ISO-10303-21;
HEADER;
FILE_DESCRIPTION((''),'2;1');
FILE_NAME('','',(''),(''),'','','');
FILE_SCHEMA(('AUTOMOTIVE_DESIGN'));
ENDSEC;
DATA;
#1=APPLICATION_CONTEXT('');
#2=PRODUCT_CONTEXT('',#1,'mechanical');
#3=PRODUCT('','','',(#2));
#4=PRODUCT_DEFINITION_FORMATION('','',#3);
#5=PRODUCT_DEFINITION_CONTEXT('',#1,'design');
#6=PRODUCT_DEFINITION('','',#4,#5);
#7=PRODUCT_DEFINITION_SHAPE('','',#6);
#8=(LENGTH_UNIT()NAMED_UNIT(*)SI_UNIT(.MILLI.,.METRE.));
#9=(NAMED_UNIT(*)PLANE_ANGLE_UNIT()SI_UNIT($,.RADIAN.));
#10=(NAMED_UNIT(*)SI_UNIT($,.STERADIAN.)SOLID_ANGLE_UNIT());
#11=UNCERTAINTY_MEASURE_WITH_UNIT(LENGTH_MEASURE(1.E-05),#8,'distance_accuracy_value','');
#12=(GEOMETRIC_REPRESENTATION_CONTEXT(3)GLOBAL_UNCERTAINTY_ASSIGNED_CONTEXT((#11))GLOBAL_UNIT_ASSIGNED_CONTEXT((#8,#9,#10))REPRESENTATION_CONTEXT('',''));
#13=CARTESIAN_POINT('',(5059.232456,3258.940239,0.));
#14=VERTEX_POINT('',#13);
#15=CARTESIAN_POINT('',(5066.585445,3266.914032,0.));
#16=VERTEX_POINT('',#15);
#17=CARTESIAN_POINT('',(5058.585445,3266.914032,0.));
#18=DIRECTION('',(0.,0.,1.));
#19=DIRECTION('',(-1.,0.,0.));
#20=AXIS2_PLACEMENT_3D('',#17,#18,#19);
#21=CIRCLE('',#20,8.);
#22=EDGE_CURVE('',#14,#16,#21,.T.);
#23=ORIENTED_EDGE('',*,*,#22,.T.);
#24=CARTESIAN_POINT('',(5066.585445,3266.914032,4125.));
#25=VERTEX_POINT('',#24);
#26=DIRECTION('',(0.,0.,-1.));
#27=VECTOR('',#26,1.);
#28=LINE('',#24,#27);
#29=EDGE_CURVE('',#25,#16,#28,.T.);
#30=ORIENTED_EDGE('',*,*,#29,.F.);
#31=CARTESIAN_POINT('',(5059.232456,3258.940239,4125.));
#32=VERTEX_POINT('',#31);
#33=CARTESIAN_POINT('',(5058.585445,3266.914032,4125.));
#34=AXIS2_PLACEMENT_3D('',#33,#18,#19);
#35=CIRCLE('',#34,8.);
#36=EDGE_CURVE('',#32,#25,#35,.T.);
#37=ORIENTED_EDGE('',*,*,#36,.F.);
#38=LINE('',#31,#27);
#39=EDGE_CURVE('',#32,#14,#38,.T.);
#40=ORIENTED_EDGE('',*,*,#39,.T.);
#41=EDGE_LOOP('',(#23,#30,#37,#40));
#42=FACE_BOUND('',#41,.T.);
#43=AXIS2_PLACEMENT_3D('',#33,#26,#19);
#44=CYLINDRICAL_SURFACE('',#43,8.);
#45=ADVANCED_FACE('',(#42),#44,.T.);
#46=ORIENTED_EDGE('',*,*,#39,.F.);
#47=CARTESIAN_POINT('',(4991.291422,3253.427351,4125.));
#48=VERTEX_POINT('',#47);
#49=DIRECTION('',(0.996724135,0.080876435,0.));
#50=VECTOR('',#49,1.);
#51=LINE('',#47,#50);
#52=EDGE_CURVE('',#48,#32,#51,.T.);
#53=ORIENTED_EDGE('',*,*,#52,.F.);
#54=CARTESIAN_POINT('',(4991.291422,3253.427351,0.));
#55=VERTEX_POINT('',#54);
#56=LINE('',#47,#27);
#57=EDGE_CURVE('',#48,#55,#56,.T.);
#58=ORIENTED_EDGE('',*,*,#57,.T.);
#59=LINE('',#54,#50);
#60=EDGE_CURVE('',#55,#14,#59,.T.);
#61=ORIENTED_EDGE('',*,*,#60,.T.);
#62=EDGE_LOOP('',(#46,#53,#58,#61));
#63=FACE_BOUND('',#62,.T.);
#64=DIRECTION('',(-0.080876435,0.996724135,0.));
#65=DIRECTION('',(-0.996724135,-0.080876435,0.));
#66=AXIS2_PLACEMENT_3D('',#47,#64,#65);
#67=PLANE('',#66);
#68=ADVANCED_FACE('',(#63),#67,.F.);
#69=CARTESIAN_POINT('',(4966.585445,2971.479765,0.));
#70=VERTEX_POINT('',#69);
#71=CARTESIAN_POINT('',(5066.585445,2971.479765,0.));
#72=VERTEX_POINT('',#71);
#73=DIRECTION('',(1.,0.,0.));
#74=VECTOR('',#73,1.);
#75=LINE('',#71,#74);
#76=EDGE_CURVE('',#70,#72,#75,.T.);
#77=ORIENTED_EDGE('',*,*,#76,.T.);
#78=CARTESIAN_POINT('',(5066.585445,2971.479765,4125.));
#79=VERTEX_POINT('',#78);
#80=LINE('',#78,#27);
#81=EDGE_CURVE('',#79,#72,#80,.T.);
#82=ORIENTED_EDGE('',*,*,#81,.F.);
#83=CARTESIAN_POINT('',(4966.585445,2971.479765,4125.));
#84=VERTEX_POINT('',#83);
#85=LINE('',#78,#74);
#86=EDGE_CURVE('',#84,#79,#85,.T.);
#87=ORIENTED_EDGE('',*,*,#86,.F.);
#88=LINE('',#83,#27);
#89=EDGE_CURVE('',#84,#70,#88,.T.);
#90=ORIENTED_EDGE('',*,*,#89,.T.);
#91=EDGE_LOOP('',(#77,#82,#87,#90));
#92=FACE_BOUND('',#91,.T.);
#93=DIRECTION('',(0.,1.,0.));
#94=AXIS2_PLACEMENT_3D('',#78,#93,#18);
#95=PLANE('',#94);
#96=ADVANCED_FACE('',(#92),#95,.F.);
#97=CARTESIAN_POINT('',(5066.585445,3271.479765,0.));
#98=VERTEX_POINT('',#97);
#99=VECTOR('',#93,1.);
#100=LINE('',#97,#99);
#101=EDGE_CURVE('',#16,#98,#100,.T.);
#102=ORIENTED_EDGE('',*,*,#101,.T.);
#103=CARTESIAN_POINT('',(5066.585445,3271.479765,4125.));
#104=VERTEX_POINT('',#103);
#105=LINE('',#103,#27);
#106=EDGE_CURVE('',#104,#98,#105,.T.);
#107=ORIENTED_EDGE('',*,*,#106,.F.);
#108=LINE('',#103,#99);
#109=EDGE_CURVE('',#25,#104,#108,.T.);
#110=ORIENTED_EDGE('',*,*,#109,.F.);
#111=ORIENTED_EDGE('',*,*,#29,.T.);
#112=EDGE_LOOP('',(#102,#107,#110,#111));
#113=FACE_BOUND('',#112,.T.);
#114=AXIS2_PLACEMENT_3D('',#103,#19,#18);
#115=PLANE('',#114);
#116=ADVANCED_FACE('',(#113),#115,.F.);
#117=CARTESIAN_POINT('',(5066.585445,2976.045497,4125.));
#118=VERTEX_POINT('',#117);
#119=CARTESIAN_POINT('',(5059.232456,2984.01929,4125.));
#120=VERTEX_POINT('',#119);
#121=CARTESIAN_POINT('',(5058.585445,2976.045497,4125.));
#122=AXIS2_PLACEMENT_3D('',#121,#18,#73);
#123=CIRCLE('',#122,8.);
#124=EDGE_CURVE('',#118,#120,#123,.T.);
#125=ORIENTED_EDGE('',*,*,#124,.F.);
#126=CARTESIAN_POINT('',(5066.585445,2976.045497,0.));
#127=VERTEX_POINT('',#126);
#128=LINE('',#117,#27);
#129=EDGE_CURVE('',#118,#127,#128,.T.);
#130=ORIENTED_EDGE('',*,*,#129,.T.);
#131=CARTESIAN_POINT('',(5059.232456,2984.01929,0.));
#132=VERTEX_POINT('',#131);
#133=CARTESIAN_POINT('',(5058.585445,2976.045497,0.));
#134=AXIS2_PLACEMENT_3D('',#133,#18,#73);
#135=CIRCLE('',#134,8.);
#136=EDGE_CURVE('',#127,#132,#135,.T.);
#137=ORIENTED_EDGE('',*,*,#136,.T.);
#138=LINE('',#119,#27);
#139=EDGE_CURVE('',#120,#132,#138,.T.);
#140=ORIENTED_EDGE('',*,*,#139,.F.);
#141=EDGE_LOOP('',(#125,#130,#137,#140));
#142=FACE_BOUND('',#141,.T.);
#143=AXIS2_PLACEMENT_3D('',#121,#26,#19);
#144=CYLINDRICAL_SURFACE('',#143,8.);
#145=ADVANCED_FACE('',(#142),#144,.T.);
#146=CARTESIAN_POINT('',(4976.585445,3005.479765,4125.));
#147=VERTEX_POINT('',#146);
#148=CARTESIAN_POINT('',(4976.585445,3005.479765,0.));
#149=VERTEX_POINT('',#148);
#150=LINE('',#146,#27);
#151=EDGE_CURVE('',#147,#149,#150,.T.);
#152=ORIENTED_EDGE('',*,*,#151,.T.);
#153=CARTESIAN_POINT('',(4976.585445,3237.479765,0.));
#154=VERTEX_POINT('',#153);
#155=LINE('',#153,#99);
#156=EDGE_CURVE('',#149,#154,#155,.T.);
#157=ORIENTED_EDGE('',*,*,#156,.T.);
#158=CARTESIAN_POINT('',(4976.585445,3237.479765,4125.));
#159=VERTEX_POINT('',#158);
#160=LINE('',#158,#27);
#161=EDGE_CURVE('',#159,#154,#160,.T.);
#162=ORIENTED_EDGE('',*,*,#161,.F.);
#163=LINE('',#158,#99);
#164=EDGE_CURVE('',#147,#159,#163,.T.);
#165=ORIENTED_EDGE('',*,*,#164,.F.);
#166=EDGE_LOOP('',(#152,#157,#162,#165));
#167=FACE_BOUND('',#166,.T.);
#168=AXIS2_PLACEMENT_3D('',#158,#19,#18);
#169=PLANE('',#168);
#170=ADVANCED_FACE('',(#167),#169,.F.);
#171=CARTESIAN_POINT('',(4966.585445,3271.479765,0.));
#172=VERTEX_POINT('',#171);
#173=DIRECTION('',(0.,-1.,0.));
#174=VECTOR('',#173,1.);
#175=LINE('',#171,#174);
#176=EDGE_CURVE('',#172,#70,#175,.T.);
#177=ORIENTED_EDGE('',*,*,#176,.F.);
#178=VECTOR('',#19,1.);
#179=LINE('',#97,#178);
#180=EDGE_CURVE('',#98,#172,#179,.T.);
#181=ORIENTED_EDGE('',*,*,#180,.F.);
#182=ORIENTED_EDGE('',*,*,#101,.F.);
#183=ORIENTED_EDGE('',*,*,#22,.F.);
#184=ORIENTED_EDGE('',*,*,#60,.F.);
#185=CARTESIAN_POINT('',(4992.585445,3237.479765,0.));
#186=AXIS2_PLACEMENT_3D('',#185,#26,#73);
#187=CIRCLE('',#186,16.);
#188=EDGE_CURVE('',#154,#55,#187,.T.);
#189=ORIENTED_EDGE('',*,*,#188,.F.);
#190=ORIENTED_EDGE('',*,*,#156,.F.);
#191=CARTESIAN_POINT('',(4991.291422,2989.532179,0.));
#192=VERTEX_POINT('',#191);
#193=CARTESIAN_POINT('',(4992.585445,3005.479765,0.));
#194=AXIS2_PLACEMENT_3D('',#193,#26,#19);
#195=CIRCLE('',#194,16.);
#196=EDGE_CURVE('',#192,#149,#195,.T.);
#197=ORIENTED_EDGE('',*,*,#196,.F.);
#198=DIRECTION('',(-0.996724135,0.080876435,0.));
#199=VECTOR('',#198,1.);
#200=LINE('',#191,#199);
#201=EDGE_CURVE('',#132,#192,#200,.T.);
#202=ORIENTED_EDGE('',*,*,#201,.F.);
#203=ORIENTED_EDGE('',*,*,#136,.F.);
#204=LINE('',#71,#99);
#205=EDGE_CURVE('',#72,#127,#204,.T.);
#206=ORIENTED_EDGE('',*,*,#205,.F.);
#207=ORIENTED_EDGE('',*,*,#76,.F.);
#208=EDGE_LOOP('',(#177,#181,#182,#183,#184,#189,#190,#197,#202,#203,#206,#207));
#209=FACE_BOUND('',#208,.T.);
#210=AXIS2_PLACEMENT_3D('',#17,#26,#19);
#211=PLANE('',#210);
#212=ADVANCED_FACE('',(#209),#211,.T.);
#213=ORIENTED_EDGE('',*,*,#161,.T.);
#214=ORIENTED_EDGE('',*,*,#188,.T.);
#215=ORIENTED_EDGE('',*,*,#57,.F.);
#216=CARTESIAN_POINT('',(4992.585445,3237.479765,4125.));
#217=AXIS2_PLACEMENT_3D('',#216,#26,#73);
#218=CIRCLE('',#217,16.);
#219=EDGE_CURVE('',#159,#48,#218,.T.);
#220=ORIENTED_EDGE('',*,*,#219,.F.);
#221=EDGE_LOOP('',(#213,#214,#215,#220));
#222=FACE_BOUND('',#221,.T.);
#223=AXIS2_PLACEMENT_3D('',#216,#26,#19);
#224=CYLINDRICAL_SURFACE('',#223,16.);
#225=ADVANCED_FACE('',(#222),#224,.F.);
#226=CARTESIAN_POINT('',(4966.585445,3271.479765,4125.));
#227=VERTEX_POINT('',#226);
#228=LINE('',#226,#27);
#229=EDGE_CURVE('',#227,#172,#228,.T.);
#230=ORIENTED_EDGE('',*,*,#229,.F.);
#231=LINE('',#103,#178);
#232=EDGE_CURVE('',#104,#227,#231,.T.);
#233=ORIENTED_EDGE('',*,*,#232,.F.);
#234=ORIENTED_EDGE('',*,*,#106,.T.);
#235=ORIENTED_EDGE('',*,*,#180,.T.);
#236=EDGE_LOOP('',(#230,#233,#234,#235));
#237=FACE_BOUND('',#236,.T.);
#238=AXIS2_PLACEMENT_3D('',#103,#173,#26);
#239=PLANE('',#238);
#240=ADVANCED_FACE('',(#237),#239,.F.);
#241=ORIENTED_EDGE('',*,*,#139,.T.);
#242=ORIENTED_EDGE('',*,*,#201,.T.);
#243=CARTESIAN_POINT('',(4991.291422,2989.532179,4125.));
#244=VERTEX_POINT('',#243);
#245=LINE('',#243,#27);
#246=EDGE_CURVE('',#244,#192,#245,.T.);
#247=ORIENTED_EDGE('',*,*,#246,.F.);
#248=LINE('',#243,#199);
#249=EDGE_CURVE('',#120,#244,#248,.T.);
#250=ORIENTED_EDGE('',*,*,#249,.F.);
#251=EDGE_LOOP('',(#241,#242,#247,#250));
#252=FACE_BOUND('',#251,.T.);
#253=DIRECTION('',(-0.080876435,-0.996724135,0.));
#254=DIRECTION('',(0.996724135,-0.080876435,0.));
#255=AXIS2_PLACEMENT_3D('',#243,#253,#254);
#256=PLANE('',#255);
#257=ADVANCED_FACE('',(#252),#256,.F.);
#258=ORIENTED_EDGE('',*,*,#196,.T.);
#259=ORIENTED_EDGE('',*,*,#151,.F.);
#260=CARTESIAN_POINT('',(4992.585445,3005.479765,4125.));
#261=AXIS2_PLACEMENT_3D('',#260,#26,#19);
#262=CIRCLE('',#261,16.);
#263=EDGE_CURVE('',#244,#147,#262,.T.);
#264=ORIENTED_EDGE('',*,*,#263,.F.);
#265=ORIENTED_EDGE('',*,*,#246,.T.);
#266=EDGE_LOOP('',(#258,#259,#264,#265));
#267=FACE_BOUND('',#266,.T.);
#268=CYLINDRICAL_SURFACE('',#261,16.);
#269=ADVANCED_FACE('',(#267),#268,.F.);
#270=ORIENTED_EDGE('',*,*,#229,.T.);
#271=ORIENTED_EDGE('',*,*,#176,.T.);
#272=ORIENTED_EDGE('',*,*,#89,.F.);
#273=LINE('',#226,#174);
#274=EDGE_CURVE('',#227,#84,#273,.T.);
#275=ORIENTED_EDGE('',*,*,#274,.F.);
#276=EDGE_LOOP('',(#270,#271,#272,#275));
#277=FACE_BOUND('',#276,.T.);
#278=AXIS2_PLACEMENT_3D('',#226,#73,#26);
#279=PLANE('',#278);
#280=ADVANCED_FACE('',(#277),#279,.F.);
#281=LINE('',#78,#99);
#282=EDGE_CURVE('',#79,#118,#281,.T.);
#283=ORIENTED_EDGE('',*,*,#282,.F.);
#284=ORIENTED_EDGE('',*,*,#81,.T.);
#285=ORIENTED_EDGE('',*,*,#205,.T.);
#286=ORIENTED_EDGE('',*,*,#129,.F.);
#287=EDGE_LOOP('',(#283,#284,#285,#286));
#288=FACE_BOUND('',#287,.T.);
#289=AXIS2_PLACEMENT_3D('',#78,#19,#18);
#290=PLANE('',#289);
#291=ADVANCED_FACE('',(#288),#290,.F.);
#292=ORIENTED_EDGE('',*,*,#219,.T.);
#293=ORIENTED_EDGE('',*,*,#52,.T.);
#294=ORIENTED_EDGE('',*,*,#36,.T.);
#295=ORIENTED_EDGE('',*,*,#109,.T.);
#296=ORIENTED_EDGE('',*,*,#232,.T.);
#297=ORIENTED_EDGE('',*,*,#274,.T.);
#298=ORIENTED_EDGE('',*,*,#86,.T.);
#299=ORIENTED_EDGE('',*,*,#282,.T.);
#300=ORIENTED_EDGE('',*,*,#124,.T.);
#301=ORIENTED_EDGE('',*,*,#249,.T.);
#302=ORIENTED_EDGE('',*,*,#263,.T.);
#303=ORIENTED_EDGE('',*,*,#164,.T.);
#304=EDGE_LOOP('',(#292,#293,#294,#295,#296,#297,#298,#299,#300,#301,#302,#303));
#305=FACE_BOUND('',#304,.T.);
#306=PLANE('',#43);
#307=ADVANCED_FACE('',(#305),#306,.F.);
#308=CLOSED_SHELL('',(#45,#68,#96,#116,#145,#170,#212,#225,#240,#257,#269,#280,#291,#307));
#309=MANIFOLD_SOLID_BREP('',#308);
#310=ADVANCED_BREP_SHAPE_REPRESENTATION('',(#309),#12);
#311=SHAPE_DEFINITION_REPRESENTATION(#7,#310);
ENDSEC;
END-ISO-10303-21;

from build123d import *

# Parameters (mm, degrees)
BOSS_EXTRUDE1_DEPTH = 4125


with BuildPart() as part:
    # Model → Boss-Extrude1 (new body)
    with BuildSketch(Plane.XY):
        with BuildLine():
            Line((5066.585444571, 3271.479764732), (5066.585444571, 3266.91403211))
            ThreePointArc((5066.585444571, 3266.91403211), (5064.466604824, 3261.490753205), (5059.232456051, 3258.940239026))
            Line((5059.232456051, 3258.940239026), (4991.291421612, 3253.427350899))
            ThreePointArc((4991.291421612, 3253.427350899), (4980.823124065, 3248.326322542), (4976.585444571, 3237.479764732))
            Line((4976.585444571, 3237.479764732), (4976.585444571, 3005.479764732))
            ThreePointArc((4976.585444571, 3005.479764732), (4980.823124065, 2994.633206922), (4991.291421612, 2989.532178564))
            Line((4991.291421612, 2989.532178564), (5059.232456051, 2984.019290437))
            ThreePointArc((5059.232456051, 2984.019290437), (5064.466604824, 2981.468776258), (5066.585444571, 2976.045497353))
            Line((5066.585444571, 2976.045497353), (5066.585444571, 2971.479764732))
            Line((5066.585444571, 2971.479764732), (4966.585444571, 2971.479764732))
            Line((4966.585444571, 2971.479764732), (4966.585444571, 3271.479764732))
            Line((4966.585444571, 3271.479764732), (5066.585444571, 3271.479764732))
        make_face()
    extrude(amount=BOSS_EXTRUDE1_DEPTH)


solid = part.part
